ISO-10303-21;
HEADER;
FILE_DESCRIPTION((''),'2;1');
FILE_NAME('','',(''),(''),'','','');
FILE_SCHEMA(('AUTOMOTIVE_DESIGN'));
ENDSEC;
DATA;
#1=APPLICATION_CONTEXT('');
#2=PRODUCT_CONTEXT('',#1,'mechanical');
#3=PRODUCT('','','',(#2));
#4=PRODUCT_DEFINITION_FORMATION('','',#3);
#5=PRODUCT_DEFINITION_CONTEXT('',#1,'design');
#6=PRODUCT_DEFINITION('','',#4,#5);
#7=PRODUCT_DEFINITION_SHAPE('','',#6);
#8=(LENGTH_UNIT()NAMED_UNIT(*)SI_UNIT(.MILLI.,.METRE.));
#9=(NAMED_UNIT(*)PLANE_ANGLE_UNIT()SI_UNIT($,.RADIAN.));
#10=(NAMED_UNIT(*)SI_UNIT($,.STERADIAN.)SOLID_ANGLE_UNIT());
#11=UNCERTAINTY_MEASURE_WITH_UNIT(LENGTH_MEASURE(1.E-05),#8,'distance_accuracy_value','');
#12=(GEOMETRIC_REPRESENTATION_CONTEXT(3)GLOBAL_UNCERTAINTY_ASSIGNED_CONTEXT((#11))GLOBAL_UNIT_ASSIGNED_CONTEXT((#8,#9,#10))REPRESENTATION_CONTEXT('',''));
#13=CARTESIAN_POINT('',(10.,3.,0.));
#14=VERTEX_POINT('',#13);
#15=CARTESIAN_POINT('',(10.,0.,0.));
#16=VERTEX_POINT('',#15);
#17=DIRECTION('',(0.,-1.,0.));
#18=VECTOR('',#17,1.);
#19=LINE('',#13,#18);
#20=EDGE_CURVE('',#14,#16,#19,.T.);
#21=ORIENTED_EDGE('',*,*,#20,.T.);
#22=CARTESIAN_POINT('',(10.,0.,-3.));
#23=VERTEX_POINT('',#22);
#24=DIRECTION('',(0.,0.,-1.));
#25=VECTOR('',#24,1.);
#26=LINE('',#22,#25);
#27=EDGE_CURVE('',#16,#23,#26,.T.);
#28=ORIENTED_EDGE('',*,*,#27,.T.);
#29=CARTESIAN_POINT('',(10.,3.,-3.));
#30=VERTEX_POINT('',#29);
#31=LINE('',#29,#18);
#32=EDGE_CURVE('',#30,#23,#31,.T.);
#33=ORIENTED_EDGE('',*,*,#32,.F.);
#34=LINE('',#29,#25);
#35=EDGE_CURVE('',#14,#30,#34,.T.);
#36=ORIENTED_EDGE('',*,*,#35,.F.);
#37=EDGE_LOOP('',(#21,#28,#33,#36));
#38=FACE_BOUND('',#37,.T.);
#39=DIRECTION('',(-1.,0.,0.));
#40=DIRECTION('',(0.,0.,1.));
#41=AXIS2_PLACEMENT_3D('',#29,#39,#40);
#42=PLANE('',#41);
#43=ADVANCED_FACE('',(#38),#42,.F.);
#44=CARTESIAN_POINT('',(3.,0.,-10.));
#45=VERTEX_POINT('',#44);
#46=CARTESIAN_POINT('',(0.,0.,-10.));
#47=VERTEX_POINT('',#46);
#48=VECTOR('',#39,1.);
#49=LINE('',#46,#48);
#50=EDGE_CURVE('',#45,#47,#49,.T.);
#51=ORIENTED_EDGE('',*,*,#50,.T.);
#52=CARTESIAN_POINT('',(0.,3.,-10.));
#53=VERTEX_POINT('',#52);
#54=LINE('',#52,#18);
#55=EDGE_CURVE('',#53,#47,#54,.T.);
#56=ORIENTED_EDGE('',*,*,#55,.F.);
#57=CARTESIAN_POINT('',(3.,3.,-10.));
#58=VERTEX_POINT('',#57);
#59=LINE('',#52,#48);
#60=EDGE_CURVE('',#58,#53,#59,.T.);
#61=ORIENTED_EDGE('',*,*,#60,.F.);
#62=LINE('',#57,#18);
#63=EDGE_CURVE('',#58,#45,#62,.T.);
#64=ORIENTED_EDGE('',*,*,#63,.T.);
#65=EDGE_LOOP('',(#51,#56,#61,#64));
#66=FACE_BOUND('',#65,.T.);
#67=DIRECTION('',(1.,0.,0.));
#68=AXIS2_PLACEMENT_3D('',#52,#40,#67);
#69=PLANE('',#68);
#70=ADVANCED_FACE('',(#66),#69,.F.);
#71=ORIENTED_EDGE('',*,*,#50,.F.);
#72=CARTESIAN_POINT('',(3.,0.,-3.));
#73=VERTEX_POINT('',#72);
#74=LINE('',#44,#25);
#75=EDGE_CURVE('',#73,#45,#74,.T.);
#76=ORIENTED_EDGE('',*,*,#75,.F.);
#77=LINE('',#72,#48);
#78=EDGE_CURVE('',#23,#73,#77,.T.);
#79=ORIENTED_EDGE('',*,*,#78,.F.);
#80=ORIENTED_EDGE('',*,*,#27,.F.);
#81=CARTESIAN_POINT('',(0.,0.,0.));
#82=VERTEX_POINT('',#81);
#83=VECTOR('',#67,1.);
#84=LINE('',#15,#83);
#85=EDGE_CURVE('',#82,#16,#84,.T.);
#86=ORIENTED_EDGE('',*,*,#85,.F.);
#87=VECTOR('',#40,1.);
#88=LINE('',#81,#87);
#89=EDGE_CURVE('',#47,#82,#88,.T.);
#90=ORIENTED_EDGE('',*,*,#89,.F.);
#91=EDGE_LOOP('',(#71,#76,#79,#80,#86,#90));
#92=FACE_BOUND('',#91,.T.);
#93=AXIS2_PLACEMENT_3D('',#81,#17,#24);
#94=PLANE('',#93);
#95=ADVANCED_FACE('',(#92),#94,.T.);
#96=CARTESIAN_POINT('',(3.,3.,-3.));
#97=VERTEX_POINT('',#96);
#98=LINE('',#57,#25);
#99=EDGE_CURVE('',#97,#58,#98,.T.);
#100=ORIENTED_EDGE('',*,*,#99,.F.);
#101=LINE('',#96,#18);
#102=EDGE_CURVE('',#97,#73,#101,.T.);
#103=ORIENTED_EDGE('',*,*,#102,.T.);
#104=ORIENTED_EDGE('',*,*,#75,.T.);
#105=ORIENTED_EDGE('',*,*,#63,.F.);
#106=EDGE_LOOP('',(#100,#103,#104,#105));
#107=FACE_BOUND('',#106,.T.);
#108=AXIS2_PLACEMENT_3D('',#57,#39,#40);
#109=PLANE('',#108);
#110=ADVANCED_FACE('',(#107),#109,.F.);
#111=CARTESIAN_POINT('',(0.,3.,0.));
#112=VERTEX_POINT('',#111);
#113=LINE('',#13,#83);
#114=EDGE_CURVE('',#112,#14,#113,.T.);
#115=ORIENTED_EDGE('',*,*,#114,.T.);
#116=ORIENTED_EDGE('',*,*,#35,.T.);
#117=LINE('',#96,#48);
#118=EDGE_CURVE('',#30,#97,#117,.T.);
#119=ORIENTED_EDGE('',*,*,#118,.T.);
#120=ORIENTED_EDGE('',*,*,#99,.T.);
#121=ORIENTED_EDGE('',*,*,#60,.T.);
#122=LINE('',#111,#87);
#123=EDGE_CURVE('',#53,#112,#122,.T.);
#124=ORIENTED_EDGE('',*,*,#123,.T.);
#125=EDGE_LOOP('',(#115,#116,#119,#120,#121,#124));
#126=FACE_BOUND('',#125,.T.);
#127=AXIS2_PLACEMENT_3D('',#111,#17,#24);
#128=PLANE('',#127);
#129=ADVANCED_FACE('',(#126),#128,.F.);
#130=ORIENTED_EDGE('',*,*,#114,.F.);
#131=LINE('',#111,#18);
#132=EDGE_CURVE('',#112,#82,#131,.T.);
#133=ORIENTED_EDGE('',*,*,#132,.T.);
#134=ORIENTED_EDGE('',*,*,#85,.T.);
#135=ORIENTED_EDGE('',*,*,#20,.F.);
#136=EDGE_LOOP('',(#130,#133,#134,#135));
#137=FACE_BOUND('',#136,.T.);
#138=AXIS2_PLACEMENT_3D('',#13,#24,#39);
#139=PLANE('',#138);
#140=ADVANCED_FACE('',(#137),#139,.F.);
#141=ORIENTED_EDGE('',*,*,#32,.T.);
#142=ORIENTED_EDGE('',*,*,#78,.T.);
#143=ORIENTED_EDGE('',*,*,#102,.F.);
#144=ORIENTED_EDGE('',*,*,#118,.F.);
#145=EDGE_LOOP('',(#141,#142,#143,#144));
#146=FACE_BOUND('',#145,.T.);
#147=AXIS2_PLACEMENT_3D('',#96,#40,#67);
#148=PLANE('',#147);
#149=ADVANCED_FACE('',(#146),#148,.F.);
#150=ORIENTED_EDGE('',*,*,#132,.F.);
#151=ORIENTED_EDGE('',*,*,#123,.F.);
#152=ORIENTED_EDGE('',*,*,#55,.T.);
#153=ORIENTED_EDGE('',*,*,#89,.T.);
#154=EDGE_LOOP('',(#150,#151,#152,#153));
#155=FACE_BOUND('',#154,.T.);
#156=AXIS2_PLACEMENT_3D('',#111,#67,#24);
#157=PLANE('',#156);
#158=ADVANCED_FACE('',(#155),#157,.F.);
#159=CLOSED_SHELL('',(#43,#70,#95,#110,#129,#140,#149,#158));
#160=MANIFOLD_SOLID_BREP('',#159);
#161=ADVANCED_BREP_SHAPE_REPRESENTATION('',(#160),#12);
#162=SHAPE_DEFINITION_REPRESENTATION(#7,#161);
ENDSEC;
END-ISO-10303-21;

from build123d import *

# Parameters (mm, degrees)
BOSS_EXTRUDE1_DEPTH = 3


with BuildPart() as part:
    # Sketch1 → Boss-Extrude1 (new body)
    with BuildSketch(Plane(origin=(0, 0, 0), x_dir=(1, 0, 0), z_dir=(0, 1, 0))):
        Polygon((0, 0), (0, 10), (3, 10), (3, 3), (10, 3), (10, 0), align=None)
    extrude(amount=BOSS_EXTRUDE1_DEPTH)


solid = part.part
